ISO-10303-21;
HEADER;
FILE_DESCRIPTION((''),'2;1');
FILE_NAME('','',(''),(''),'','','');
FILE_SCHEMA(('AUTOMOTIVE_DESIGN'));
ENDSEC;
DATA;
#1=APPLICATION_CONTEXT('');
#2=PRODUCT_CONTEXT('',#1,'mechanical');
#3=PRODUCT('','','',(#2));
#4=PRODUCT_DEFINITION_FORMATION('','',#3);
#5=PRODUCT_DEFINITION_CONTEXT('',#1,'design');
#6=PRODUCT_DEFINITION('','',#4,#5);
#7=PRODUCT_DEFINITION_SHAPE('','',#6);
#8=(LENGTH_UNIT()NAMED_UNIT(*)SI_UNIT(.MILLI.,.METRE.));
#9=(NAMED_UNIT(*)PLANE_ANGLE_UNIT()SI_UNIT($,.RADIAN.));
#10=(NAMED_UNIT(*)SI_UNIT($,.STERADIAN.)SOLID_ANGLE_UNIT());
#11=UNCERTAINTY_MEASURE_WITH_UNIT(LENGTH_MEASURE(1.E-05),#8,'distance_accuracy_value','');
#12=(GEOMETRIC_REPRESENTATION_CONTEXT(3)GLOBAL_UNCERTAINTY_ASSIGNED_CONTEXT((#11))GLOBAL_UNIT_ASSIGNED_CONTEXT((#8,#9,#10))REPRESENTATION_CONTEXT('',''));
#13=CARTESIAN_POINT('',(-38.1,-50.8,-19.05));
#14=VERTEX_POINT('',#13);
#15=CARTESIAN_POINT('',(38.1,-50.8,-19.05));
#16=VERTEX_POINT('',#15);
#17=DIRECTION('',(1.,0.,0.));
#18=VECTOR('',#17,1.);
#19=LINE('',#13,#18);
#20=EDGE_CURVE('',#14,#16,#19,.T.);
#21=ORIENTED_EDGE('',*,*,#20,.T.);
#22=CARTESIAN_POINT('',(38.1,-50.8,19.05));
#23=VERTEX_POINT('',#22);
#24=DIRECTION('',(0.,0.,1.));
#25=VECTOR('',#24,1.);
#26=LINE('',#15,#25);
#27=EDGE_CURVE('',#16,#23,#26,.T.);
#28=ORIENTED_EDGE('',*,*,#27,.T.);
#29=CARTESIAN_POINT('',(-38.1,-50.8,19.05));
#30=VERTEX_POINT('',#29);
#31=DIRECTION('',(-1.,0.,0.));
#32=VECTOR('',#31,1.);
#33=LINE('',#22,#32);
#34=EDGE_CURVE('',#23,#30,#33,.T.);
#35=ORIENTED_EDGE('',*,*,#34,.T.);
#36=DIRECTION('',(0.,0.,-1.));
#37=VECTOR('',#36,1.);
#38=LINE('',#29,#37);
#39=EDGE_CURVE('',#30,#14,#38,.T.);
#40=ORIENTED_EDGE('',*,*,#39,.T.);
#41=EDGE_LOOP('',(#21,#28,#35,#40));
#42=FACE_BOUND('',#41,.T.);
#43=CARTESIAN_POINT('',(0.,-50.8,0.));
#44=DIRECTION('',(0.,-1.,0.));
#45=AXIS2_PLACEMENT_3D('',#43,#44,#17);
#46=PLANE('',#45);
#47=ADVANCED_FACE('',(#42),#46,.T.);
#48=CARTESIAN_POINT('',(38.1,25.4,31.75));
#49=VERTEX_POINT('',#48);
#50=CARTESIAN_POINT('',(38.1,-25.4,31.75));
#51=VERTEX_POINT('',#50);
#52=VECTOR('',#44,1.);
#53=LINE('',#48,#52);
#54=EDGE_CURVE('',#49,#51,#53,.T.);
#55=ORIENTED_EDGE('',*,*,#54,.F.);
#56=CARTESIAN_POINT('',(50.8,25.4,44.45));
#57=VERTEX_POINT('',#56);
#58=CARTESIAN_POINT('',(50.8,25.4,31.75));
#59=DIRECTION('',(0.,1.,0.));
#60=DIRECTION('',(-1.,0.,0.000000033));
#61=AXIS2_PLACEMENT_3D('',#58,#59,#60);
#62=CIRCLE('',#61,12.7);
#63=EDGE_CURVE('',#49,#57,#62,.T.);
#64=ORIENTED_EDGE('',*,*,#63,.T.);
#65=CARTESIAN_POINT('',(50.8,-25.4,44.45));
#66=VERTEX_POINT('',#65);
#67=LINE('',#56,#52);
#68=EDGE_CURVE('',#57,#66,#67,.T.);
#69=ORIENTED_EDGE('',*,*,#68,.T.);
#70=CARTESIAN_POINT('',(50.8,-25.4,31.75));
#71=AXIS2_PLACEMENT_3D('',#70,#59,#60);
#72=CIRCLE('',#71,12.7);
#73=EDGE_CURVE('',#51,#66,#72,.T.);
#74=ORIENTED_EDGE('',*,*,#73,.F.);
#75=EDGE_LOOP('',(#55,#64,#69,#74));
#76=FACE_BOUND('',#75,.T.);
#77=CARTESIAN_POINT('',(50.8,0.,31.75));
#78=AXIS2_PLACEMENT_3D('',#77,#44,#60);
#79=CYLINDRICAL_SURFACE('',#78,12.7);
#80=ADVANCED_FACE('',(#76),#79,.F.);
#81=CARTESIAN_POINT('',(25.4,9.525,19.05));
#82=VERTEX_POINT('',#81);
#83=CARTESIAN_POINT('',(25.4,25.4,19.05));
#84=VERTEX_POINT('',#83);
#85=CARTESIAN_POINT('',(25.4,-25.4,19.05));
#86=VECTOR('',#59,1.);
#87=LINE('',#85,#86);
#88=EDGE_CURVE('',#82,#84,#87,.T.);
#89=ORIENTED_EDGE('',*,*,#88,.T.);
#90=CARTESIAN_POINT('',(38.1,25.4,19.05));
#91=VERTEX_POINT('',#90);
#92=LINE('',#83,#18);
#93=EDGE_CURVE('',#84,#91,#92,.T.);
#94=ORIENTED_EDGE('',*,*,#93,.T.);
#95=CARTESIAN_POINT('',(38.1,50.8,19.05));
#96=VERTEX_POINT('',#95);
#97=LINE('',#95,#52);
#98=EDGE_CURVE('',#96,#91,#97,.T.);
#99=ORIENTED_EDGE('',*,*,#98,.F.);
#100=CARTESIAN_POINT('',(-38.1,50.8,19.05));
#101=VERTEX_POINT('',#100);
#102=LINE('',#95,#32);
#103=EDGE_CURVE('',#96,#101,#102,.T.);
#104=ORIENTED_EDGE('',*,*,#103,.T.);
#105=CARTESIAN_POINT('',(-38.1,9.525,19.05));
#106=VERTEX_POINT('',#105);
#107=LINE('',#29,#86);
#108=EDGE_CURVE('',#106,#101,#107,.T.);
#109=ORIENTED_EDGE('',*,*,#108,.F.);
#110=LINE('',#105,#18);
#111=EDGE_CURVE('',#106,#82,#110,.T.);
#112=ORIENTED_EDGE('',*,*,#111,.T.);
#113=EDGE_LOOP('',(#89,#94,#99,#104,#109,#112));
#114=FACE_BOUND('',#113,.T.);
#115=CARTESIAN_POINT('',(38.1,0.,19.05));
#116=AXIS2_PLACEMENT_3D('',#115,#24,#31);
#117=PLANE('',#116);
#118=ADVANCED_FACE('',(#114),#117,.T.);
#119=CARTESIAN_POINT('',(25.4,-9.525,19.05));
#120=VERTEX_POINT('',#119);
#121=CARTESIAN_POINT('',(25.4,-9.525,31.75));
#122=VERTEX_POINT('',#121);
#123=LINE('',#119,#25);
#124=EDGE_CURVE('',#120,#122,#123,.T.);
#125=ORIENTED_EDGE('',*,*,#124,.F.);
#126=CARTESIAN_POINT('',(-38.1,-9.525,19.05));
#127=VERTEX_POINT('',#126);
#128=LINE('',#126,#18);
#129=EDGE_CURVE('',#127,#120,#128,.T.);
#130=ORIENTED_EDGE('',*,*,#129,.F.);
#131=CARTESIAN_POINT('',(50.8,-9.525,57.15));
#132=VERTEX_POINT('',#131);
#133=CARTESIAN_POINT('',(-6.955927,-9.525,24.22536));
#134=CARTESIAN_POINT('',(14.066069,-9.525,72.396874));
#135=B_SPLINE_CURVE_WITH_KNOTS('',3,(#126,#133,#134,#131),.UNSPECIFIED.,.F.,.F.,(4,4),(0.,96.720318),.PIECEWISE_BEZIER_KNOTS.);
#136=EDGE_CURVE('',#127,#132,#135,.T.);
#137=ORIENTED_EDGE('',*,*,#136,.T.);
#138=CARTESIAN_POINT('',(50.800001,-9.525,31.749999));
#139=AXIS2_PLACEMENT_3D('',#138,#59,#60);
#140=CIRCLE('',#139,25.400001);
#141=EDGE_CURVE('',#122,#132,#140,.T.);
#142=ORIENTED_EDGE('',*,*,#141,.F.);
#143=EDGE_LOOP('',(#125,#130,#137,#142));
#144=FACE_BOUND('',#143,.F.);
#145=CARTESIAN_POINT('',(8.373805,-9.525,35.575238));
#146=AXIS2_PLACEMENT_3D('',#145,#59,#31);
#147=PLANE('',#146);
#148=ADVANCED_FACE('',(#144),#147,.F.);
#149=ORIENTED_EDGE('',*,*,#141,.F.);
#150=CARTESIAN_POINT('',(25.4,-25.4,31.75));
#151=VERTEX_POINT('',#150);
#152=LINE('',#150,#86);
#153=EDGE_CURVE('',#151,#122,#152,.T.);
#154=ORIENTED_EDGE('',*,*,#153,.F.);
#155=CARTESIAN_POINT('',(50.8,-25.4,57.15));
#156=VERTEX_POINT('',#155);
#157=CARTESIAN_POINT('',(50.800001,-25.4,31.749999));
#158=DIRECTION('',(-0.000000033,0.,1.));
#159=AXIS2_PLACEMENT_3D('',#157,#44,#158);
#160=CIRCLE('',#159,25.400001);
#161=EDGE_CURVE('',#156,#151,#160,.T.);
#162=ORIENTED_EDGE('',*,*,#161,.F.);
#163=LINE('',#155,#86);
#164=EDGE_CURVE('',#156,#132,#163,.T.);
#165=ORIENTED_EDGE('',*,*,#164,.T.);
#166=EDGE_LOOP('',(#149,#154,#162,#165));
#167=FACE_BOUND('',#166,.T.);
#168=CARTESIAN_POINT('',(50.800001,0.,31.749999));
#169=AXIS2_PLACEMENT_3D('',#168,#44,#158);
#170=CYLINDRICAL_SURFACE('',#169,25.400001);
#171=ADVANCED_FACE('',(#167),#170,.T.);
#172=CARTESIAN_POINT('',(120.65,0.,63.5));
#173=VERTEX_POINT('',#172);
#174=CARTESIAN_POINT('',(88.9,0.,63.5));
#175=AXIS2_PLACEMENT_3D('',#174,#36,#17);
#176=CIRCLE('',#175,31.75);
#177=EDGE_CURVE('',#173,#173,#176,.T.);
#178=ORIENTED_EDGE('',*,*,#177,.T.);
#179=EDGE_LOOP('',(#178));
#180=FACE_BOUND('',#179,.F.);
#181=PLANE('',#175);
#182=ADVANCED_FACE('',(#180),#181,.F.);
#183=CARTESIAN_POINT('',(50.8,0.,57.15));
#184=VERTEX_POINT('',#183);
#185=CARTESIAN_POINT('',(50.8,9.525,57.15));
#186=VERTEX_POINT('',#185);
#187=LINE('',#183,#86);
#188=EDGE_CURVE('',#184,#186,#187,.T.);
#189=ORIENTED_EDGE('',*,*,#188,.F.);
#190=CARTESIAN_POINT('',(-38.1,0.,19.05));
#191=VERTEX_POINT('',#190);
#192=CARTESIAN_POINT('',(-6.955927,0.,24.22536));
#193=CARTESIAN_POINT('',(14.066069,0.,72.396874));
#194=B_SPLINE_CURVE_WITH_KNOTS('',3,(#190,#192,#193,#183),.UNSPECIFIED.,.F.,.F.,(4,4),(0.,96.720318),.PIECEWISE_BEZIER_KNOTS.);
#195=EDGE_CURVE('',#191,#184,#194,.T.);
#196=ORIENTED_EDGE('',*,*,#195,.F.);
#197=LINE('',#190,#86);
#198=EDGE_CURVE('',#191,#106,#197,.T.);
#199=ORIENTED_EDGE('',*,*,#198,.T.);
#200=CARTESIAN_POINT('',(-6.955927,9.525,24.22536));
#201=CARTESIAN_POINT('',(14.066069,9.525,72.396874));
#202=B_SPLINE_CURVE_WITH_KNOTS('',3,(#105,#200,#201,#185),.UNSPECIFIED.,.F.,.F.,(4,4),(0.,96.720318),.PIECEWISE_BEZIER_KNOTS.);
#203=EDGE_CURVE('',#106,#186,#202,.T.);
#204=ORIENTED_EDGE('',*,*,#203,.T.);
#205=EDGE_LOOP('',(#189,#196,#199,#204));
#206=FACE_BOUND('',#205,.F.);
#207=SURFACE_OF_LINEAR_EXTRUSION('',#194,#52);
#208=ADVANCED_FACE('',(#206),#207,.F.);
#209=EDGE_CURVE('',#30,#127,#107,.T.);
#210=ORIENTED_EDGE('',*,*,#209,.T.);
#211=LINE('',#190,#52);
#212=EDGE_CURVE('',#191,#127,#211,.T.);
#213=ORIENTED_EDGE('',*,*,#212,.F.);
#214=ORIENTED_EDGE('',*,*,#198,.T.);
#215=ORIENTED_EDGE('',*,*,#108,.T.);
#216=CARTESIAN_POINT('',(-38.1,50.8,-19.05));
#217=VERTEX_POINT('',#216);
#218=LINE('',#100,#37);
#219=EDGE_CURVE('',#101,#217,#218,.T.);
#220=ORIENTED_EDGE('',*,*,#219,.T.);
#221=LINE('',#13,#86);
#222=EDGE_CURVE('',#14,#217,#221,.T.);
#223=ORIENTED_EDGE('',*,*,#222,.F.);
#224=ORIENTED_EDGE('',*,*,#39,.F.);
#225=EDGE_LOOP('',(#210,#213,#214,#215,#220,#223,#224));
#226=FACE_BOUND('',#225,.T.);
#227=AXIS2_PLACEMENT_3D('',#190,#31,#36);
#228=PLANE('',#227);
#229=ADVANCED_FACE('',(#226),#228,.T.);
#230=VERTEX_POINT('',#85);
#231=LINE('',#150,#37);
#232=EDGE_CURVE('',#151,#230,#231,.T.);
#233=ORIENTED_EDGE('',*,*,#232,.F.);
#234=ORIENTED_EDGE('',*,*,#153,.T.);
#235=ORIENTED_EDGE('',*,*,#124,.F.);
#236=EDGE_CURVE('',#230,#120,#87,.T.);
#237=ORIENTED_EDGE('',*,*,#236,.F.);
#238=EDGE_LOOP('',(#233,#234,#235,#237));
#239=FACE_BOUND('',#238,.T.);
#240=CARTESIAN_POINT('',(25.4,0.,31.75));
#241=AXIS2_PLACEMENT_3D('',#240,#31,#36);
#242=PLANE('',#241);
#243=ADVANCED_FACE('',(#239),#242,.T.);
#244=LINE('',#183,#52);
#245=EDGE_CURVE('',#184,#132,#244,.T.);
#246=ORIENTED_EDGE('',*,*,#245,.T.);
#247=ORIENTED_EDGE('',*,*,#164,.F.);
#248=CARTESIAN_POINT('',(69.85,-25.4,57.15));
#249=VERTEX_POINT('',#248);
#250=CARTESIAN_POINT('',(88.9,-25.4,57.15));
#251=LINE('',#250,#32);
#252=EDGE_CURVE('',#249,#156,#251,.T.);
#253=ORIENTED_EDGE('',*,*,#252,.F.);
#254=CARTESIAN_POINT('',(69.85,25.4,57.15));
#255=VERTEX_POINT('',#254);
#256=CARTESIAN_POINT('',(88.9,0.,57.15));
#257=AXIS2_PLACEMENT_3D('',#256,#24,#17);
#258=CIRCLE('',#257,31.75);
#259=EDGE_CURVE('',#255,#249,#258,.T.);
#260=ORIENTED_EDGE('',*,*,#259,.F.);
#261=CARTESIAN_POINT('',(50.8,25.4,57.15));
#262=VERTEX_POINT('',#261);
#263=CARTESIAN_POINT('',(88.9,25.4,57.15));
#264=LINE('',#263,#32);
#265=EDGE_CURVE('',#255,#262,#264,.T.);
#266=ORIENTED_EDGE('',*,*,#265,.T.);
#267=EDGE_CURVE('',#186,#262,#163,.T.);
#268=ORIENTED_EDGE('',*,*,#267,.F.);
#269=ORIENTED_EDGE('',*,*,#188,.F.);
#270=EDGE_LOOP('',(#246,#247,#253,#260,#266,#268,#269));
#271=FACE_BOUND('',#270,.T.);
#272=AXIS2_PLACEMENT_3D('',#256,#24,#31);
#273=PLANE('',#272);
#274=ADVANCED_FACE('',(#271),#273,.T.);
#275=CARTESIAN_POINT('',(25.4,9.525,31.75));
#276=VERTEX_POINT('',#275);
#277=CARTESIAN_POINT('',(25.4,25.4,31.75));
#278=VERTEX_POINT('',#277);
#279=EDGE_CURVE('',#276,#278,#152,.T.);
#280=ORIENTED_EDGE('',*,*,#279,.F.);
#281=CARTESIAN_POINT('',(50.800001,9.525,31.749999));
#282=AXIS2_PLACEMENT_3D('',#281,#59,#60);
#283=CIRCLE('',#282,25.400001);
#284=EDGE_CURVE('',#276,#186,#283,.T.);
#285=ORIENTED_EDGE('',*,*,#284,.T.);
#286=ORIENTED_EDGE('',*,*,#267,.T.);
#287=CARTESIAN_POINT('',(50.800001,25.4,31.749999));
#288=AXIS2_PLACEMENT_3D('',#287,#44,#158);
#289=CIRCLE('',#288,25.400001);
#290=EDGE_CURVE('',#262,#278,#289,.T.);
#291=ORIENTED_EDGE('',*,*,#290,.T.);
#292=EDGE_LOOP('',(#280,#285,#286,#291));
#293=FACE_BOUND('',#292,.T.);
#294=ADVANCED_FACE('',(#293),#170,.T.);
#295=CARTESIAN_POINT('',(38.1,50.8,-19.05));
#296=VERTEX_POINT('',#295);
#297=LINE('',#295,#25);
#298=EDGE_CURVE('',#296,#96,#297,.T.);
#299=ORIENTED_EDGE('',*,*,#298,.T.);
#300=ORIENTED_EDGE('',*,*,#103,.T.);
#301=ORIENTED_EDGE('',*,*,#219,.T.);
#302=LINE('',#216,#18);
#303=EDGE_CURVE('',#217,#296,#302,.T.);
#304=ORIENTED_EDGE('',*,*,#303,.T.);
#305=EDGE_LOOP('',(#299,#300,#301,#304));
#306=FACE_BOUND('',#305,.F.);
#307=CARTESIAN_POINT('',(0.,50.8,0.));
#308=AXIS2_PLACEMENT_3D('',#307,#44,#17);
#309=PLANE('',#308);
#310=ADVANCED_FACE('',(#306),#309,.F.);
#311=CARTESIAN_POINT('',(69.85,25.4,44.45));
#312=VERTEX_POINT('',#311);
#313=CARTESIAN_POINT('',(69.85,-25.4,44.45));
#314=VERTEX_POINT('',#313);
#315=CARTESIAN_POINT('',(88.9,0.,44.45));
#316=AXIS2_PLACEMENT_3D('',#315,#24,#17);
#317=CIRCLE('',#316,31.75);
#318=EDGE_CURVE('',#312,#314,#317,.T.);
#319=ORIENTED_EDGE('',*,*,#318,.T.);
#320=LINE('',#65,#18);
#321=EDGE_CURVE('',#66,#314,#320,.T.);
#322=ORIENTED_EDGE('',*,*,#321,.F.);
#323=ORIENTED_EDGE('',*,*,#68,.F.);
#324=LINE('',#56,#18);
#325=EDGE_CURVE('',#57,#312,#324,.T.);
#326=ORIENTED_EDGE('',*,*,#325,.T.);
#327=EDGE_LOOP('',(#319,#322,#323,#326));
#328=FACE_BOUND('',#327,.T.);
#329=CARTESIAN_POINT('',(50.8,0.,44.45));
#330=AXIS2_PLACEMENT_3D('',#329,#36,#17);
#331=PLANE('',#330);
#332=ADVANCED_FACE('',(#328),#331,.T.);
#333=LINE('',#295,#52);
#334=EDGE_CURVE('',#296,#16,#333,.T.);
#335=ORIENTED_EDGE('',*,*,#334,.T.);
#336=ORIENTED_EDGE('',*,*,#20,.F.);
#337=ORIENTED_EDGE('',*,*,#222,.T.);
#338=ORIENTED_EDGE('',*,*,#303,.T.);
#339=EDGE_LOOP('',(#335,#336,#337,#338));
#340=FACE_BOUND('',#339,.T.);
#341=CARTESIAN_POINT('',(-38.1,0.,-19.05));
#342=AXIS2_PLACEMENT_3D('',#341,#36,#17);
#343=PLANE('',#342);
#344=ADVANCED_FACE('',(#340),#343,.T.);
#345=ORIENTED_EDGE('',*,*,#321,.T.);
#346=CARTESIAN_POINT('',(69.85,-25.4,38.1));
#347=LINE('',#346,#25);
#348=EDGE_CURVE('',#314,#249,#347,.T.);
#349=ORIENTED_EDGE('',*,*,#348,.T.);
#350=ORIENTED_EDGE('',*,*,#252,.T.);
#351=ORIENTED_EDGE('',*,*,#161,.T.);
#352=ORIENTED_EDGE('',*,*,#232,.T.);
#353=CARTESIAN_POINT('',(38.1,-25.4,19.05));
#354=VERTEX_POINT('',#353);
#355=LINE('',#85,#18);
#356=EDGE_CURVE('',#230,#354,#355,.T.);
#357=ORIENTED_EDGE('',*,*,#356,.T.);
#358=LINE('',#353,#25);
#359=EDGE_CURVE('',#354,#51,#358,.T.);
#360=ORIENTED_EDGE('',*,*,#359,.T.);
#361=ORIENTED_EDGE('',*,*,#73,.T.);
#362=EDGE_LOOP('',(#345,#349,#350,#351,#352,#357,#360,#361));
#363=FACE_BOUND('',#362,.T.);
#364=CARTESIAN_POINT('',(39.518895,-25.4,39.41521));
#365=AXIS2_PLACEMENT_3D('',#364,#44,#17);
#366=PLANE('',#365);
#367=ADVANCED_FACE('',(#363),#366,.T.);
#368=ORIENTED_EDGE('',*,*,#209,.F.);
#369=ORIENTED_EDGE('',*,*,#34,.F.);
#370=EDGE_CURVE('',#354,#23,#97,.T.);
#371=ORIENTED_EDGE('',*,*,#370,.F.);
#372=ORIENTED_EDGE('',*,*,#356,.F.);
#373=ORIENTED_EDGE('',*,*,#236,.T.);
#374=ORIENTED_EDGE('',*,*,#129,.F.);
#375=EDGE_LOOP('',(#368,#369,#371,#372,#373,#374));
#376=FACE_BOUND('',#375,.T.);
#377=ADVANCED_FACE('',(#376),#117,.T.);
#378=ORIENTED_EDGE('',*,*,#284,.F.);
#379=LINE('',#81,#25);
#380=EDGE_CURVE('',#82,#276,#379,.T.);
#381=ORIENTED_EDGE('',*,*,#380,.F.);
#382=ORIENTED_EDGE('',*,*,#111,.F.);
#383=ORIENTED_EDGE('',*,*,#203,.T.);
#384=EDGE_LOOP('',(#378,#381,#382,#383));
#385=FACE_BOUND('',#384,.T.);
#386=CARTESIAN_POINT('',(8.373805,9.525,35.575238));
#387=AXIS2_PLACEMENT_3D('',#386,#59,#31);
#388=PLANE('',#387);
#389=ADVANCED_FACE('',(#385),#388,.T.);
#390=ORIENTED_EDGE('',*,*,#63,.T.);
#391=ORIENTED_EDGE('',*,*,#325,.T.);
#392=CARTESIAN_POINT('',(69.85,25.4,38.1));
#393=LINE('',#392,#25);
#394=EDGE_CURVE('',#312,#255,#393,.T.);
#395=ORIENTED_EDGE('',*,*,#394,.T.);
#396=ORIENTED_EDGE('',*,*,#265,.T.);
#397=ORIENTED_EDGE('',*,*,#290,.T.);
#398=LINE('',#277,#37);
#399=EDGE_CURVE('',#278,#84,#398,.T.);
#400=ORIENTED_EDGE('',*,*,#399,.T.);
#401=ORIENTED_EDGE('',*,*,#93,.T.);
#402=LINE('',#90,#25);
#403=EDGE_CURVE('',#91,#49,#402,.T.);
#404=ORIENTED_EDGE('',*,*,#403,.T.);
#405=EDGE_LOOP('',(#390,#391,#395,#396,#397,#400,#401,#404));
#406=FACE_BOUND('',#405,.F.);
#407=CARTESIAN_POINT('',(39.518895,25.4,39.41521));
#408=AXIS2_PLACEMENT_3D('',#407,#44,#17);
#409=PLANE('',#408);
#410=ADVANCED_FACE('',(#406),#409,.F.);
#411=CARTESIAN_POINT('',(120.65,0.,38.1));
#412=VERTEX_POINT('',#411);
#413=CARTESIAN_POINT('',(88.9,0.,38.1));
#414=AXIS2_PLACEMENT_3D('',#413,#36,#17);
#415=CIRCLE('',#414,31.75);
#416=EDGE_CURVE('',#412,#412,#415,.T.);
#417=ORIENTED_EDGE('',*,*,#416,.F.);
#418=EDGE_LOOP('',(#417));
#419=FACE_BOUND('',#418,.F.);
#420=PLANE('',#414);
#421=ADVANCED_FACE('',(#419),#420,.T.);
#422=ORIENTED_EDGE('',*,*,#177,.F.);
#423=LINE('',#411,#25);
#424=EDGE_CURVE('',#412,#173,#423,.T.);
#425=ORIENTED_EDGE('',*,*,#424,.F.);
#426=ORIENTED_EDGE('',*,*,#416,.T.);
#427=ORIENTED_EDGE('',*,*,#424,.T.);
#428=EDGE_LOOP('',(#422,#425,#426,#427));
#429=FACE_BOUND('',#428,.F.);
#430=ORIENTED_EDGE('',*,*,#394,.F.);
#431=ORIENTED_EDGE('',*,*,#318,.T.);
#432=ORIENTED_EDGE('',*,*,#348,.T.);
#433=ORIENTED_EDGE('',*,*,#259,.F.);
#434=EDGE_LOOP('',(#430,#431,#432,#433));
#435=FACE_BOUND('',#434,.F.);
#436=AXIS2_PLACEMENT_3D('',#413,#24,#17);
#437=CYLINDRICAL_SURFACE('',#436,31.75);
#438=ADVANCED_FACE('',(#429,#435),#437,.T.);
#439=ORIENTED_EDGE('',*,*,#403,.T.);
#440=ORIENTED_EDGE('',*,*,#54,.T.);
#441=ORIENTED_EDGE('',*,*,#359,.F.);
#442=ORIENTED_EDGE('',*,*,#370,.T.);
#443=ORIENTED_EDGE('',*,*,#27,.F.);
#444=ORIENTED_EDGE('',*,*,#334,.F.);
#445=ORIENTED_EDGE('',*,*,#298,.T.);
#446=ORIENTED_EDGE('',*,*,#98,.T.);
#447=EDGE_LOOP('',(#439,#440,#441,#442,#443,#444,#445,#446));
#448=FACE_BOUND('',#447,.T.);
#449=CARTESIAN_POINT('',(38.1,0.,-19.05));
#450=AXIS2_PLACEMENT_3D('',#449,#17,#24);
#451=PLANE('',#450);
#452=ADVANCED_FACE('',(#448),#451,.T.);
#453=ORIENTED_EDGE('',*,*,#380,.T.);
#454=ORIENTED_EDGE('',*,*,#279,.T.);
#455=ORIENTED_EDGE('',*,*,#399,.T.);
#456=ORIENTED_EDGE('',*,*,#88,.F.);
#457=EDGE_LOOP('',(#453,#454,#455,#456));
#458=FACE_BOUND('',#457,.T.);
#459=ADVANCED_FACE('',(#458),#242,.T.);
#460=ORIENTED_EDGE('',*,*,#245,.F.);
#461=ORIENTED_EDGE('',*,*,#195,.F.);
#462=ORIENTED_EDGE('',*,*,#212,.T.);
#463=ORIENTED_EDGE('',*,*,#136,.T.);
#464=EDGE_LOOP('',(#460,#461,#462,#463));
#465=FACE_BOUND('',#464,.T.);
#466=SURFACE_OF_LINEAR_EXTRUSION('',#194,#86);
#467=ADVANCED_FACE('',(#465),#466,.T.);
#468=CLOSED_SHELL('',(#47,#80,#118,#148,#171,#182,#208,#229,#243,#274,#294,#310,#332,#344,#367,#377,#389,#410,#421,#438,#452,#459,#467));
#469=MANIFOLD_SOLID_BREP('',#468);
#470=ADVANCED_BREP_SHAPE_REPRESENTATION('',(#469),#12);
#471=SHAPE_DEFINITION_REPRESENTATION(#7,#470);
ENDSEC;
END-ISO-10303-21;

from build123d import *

# Parameters (mm, degrees)
F1_DEPTH = 50.8
F0_W     = 31.75
F0_H     = 12.7
F2_DEPTH = 25.4
F3_DEPTH = 9.525


with BuildPart() as f1:
    # F0 (on Front) → F1 (new body, symmetric)
    with BuildSketch(Plane.XZ):
        Polygon((-38.1, -19.05), (38.1, -19.05), (38.1, 19.05), (25.4, 19.05), (-38.1, 19.05), align=None)
    extrude(amount=F1_DEPTH, both=True)

    # F0 (on Front) → F2 (join, symmetric)
    with BuildSketch(Plane.XZ):
        with BuildLine():
            Line((25.4, 19.05), (38.1, 19.05))
            Line((38.1, 19.05), (38.1, 31.75))
            ThreePointArc((38.1, 31.75), (41.819744, 40.730256), (50.8, 44.45))
            Line((50.8, 44.45), (57.15, 44.45))
            Line((57.15, 44.45), (57.15, 57.15))
            Line((57.15, 57.15), (50.8, 57.15))
            ThreePointArc((50.8, 57.15), (32.839488, 49.710512), (25.4, 31.75))
            Line((25.4, 31.75), (25.4, 19.05))
        make_face()
        with Locations((73.025, 50.8)):
            Rectangle(F0_W, F0_H)
    extrude(amount=F2_DEPTH, both=True)

    # F0 (on Front) → F3 (join, symmetric)
    with BuildSketch(Plane.XZ):
        with BuildLine():
            add(Edge.make_bspline(
                [(-38.1, 19.05), (-6.955927, 24.22536), (14.066069, 72.396874), (50.8, 57.15)],
                knots=[0, 0, 0, 0, 96.720318, 96.720318, 96.720318, 96.720318], degree=3))
            Line((-38.1, 19.05), (25.4, 19.05))
            Line((25.4, 19.05), (25.4, 31.75))
            ThreePointArc((25.4, 31.75), (32.839488, 49.710512), (50.8, 57.15))
        make_face()
    extrude(amount=F3_DEPTH, both=True)

    # F0 (on Front) → F4 (revolve)
    with BuildSketch(Plane.XZ):
        Polygon((88.9, 63.5), (88.9, 57.15), (88.9, 44.45), (88.9, 38.1), (120.65, 38.1), (120.65, 63.5), align=None)
    revolve(axis=Axis((88.9, 0, 50.8), (0, 0, -1)))


solid = f1.part
